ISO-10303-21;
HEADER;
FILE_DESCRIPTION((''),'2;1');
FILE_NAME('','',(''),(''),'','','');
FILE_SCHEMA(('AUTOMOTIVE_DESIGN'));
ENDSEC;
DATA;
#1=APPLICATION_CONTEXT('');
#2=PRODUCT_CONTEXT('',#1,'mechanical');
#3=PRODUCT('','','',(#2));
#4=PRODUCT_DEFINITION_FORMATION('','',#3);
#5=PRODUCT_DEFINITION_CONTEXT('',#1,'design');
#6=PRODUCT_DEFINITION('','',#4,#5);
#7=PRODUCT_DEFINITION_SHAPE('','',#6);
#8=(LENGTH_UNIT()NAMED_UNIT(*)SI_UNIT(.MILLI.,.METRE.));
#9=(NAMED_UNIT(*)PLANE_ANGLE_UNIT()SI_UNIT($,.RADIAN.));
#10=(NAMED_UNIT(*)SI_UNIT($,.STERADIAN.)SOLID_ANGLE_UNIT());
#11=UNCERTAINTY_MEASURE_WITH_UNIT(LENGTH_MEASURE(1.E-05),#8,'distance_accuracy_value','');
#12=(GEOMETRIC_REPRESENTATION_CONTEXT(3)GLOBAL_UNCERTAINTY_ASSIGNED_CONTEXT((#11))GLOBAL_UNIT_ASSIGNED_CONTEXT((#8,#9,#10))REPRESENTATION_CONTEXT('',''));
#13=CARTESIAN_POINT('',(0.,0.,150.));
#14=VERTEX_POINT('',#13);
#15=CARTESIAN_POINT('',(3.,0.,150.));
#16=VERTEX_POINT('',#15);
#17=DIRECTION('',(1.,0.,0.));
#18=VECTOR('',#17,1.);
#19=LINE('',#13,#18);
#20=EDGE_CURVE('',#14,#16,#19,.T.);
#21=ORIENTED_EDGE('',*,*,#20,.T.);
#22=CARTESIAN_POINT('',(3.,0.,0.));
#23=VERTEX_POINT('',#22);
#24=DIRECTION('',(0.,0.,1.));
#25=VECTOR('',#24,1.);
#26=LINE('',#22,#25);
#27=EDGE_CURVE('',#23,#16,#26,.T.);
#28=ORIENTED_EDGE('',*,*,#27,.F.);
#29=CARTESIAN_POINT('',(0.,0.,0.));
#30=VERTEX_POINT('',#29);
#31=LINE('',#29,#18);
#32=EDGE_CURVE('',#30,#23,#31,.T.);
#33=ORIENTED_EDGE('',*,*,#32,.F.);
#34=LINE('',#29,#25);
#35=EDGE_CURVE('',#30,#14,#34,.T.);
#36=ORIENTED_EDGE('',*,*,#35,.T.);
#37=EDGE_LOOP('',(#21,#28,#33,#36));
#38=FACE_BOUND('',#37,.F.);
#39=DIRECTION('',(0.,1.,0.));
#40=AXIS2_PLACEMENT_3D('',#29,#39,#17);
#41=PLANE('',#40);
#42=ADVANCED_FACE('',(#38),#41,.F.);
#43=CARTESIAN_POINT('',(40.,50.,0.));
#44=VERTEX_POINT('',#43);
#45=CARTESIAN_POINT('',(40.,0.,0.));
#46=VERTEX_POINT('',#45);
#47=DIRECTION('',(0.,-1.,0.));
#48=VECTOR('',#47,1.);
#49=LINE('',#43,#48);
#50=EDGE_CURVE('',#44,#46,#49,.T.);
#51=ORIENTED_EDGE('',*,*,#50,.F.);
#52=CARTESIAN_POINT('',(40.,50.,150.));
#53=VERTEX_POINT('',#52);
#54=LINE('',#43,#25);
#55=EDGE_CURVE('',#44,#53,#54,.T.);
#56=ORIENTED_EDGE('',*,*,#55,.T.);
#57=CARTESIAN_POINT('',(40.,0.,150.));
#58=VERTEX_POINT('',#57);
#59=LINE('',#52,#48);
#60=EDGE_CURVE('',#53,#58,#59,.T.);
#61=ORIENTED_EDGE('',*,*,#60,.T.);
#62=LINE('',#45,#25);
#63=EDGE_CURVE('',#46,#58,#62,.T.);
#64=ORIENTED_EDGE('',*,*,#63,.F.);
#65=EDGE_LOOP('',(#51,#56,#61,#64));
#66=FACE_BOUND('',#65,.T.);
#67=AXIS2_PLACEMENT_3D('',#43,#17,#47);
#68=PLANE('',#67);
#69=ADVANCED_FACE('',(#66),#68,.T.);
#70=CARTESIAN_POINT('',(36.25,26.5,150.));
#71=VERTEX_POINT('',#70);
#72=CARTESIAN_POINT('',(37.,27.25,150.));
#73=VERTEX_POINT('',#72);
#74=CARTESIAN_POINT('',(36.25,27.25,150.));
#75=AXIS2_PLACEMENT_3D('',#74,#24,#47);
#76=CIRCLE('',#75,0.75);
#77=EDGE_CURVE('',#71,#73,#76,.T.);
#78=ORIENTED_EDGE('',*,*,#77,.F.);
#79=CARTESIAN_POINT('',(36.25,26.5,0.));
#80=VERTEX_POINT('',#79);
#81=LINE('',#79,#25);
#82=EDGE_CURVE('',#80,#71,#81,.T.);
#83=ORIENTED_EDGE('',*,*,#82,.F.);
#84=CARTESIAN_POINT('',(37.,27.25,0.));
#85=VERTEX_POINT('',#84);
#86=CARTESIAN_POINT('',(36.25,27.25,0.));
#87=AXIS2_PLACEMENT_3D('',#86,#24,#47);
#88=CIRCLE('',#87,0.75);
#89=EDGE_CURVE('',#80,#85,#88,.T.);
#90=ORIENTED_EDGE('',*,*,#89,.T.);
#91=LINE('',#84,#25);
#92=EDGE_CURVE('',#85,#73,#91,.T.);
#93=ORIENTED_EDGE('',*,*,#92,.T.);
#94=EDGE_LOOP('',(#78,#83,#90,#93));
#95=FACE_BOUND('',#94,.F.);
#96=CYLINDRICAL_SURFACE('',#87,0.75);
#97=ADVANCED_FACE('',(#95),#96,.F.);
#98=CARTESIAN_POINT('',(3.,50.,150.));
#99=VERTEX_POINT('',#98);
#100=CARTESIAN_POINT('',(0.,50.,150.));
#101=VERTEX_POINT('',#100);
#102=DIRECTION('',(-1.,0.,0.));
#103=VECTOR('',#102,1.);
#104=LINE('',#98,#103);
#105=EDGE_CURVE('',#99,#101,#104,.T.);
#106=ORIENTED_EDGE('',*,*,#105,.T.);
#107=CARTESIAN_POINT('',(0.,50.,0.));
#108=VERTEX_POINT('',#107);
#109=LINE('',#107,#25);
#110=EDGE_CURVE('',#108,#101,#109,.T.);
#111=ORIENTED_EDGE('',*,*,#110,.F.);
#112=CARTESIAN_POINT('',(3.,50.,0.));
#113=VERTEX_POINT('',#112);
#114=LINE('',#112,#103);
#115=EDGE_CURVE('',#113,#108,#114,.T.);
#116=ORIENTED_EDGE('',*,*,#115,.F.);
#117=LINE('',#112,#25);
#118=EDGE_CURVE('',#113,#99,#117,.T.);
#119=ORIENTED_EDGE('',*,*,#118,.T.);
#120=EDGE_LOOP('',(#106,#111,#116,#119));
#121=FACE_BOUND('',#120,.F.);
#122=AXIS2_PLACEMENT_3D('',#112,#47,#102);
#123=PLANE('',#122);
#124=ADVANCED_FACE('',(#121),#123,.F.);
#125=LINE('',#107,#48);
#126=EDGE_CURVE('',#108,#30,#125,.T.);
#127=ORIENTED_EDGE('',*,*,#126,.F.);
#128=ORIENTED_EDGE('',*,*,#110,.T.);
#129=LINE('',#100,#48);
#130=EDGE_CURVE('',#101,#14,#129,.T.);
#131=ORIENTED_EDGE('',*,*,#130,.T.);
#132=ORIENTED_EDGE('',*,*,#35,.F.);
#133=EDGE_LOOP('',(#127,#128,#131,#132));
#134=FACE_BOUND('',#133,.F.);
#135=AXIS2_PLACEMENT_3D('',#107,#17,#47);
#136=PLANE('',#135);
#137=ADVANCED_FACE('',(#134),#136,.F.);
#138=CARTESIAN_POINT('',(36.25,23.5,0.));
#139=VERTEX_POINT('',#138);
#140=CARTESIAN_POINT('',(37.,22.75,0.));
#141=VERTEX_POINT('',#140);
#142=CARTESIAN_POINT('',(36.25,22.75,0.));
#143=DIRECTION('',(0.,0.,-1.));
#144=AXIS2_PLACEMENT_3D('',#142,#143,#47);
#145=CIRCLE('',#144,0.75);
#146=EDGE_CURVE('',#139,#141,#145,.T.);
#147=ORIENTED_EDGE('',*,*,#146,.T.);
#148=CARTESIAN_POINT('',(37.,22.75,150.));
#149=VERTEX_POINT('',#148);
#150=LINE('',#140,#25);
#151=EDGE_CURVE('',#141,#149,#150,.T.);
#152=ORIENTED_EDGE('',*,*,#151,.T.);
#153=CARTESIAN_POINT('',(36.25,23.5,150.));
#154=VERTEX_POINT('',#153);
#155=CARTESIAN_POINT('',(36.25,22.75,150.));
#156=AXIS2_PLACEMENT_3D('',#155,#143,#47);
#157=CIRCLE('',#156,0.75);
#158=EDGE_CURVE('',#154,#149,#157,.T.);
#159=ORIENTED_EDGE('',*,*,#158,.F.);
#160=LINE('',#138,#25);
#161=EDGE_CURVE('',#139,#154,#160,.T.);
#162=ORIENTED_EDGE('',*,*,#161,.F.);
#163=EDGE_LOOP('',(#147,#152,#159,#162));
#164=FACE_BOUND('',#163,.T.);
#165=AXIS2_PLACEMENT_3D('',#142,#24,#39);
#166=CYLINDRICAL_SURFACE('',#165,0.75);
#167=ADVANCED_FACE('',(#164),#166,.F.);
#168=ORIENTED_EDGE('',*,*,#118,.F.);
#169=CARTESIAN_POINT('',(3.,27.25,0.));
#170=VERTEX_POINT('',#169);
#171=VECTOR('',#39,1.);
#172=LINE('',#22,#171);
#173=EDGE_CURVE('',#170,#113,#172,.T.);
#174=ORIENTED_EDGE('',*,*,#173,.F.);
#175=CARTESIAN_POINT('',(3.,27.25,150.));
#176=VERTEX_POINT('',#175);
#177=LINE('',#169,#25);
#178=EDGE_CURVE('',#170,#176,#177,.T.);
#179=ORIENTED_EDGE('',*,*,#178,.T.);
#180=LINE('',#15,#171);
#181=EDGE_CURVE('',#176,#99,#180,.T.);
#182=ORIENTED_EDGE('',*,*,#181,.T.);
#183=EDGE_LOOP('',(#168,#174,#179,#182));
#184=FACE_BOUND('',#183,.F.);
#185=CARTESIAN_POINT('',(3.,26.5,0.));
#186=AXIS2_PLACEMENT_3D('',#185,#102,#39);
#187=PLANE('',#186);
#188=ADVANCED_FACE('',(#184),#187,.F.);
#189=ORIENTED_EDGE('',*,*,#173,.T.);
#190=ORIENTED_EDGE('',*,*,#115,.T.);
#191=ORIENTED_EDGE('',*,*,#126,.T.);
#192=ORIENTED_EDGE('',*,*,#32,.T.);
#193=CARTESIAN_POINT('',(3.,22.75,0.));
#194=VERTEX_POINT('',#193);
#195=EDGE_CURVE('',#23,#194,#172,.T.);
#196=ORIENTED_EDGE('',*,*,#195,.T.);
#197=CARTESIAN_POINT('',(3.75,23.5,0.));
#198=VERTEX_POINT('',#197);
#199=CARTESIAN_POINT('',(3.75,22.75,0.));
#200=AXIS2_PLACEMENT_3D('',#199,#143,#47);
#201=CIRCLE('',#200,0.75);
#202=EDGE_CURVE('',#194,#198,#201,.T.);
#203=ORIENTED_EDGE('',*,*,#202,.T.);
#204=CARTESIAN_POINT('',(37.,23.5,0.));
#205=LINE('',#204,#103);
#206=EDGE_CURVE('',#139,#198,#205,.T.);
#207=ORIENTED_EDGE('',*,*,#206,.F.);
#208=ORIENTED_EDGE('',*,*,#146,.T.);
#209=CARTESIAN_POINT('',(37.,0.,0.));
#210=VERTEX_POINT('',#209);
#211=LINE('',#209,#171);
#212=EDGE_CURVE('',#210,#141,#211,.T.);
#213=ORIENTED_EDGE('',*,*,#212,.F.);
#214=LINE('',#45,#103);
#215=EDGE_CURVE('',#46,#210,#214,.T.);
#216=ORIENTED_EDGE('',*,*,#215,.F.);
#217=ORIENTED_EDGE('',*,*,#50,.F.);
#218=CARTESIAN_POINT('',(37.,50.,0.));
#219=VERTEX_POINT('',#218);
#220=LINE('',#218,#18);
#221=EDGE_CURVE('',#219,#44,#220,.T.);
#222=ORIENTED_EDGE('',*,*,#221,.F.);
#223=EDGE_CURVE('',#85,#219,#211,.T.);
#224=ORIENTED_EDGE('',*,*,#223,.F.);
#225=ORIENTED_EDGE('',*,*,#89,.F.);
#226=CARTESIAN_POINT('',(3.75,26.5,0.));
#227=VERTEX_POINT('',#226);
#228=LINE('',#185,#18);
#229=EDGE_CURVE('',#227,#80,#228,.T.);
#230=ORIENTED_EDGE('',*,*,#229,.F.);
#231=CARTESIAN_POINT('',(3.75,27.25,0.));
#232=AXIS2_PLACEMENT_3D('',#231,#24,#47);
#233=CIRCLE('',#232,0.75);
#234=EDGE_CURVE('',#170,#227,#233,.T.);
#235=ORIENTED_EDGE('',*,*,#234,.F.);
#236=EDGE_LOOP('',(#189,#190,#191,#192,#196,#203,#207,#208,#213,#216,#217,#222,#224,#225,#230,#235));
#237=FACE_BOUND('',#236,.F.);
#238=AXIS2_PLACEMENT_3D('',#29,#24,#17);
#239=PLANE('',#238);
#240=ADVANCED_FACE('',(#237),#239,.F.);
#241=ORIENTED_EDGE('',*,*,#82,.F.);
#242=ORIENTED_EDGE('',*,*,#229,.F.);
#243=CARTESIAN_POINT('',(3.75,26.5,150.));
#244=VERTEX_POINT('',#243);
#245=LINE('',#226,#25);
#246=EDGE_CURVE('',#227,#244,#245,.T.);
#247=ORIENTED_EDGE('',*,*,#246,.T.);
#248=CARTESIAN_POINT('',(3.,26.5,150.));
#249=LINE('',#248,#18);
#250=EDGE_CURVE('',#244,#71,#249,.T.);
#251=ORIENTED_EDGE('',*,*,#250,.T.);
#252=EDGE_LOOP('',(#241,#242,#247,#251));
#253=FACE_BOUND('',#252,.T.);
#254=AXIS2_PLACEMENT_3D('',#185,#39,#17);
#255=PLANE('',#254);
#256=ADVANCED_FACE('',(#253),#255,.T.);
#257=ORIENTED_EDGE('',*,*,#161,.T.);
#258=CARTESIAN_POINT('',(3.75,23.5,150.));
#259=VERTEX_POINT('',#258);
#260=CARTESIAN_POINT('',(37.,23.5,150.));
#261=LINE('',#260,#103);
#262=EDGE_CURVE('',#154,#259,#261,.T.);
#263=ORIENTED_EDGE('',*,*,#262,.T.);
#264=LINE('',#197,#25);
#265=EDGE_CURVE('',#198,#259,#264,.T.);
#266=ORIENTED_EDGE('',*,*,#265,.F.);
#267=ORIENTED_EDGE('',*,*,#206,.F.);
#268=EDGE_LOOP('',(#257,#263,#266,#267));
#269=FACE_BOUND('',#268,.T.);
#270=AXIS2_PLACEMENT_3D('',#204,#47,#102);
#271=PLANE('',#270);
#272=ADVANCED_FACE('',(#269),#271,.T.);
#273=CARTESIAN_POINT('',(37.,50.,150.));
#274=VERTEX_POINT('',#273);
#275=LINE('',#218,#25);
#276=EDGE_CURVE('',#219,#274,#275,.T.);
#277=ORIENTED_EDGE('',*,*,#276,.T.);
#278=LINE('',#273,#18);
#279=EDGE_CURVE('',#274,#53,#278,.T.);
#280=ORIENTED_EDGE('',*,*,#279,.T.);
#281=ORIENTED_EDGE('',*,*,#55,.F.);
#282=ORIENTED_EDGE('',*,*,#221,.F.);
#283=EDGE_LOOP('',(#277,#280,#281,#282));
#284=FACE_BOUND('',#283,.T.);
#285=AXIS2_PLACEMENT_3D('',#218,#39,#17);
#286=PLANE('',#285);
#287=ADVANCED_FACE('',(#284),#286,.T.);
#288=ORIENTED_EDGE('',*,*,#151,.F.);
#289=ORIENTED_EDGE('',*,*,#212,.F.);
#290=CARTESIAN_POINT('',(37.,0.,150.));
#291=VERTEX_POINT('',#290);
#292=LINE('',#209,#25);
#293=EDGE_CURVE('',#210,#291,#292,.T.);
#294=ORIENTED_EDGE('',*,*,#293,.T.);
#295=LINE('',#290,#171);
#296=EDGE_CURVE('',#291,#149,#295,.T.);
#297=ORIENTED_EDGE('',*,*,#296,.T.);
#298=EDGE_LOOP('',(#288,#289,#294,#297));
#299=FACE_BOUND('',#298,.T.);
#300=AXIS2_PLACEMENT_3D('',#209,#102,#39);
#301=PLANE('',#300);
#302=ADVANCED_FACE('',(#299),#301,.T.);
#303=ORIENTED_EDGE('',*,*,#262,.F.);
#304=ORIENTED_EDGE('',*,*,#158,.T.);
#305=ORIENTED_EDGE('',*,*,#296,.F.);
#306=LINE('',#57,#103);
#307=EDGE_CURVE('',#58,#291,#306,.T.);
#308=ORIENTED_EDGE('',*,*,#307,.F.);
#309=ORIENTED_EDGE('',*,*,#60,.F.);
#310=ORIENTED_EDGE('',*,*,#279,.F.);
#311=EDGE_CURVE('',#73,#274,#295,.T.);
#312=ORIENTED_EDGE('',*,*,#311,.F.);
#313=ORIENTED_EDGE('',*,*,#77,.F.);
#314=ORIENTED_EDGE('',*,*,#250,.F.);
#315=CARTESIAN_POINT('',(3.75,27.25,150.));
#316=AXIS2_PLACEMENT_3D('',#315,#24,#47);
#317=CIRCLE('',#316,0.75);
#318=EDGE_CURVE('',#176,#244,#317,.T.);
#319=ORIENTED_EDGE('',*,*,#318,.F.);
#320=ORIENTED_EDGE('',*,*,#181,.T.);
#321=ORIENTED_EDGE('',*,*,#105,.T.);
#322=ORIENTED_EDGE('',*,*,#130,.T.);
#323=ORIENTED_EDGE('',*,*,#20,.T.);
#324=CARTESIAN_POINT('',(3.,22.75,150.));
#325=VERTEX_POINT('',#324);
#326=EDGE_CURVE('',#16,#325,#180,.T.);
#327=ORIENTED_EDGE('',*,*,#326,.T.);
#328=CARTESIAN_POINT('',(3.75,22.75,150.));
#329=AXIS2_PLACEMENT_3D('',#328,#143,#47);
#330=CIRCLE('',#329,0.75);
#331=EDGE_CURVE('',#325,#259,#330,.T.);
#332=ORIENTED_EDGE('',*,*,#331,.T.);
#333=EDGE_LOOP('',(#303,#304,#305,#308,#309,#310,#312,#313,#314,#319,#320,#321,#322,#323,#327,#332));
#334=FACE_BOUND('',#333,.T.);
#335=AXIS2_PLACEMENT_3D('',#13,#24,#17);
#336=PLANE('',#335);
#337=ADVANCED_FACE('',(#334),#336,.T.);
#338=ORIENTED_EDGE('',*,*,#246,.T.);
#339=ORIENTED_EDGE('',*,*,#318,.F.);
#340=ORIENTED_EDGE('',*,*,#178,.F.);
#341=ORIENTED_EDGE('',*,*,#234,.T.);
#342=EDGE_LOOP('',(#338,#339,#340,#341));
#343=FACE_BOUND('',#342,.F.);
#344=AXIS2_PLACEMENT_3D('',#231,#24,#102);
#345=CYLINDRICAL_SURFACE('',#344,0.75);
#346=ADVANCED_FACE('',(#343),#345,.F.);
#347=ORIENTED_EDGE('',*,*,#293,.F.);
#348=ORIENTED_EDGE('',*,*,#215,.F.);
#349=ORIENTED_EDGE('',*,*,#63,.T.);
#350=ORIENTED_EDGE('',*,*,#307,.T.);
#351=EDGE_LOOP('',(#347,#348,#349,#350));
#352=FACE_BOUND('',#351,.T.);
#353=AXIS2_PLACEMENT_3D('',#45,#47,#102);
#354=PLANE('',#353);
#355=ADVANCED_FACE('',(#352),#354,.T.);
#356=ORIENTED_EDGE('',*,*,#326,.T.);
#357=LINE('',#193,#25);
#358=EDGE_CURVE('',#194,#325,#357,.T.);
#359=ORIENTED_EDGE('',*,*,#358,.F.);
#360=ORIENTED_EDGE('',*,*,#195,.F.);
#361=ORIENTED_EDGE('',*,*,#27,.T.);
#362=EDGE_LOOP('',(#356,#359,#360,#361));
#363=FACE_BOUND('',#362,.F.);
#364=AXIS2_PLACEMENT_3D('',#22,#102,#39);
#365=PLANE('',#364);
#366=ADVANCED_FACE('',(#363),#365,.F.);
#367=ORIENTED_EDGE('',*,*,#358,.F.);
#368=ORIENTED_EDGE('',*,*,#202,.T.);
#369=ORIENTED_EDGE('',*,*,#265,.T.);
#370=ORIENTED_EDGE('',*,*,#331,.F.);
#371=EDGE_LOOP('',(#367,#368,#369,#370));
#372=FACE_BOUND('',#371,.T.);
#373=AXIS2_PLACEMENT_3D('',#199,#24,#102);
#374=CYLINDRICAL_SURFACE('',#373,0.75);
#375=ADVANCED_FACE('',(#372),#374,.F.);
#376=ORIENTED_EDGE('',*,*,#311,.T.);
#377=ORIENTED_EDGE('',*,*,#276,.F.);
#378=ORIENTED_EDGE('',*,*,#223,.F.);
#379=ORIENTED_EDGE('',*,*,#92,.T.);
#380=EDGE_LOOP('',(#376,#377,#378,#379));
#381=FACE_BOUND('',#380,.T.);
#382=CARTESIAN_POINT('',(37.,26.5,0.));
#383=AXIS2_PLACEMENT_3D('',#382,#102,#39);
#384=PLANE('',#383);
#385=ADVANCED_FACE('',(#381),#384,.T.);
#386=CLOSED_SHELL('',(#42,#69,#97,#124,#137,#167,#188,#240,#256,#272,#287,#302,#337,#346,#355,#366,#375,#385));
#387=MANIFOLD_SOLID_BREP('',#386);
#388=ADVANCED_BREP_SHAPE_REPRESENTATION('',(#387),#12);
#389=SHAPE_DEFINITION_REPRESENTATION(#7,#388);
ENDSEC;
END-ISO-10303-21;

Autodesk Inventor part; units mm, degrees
ref_plane "YZ Plane" through (0, 0, 0) normal (1, 0, 0) x (0, 1, 0)
ref_plane "XZ Plane" through (0, 0, 0) normal (0, 1, 0) x (-1, 0, 0)
ref_plane "XY Plane" through (0, 0, 0) normal (0, 0, 1) x (1, 0, 0)
sketch "Sketch1" plane through (0, 0, 0) normal (0, 0, 1) x (1, 0, 0)
  line L0 (0, 0) -> (3, 0)
  line L1 (3, 0) -> (3, 50)
  line L2 (3, 50) -> (0, 50)
  line L3 (0, 50) -> (0, 0)
  line L4 (3, 26.5) -> (37, 26.5)
  line L5 (37, 26.5) -> (37, 23.5)
  line L6 (37, 23.5) -> (3, 23.5)
  line L7 (3, 23.5) -> (3, 26.5)
  line L8 (37, 50) -> (40, 50)
  line L9 (40, 50) -> (40, 0)
  line L10 (40, 0) -> (37, 0)
  line L11 (37, 0) -> (37, 50)
  line L12 (0, 25) -> (40, 25) construction
  dimension "d3" = 3
  dimension "d4" = 40
  dimension "d9" = 1.5
  dimension "d10" = 50
  dimension "d11" = 25
extrude "Extrusion1" add sketch "Sketch1" along normal blind 150
fillet "Fillet1" radius 0.75 4 edges at (3, 23.5, 75) (37, 23.5, 75) (37, 26.5, 75) (3, 26.5, 75)
properties part number "Arm"
